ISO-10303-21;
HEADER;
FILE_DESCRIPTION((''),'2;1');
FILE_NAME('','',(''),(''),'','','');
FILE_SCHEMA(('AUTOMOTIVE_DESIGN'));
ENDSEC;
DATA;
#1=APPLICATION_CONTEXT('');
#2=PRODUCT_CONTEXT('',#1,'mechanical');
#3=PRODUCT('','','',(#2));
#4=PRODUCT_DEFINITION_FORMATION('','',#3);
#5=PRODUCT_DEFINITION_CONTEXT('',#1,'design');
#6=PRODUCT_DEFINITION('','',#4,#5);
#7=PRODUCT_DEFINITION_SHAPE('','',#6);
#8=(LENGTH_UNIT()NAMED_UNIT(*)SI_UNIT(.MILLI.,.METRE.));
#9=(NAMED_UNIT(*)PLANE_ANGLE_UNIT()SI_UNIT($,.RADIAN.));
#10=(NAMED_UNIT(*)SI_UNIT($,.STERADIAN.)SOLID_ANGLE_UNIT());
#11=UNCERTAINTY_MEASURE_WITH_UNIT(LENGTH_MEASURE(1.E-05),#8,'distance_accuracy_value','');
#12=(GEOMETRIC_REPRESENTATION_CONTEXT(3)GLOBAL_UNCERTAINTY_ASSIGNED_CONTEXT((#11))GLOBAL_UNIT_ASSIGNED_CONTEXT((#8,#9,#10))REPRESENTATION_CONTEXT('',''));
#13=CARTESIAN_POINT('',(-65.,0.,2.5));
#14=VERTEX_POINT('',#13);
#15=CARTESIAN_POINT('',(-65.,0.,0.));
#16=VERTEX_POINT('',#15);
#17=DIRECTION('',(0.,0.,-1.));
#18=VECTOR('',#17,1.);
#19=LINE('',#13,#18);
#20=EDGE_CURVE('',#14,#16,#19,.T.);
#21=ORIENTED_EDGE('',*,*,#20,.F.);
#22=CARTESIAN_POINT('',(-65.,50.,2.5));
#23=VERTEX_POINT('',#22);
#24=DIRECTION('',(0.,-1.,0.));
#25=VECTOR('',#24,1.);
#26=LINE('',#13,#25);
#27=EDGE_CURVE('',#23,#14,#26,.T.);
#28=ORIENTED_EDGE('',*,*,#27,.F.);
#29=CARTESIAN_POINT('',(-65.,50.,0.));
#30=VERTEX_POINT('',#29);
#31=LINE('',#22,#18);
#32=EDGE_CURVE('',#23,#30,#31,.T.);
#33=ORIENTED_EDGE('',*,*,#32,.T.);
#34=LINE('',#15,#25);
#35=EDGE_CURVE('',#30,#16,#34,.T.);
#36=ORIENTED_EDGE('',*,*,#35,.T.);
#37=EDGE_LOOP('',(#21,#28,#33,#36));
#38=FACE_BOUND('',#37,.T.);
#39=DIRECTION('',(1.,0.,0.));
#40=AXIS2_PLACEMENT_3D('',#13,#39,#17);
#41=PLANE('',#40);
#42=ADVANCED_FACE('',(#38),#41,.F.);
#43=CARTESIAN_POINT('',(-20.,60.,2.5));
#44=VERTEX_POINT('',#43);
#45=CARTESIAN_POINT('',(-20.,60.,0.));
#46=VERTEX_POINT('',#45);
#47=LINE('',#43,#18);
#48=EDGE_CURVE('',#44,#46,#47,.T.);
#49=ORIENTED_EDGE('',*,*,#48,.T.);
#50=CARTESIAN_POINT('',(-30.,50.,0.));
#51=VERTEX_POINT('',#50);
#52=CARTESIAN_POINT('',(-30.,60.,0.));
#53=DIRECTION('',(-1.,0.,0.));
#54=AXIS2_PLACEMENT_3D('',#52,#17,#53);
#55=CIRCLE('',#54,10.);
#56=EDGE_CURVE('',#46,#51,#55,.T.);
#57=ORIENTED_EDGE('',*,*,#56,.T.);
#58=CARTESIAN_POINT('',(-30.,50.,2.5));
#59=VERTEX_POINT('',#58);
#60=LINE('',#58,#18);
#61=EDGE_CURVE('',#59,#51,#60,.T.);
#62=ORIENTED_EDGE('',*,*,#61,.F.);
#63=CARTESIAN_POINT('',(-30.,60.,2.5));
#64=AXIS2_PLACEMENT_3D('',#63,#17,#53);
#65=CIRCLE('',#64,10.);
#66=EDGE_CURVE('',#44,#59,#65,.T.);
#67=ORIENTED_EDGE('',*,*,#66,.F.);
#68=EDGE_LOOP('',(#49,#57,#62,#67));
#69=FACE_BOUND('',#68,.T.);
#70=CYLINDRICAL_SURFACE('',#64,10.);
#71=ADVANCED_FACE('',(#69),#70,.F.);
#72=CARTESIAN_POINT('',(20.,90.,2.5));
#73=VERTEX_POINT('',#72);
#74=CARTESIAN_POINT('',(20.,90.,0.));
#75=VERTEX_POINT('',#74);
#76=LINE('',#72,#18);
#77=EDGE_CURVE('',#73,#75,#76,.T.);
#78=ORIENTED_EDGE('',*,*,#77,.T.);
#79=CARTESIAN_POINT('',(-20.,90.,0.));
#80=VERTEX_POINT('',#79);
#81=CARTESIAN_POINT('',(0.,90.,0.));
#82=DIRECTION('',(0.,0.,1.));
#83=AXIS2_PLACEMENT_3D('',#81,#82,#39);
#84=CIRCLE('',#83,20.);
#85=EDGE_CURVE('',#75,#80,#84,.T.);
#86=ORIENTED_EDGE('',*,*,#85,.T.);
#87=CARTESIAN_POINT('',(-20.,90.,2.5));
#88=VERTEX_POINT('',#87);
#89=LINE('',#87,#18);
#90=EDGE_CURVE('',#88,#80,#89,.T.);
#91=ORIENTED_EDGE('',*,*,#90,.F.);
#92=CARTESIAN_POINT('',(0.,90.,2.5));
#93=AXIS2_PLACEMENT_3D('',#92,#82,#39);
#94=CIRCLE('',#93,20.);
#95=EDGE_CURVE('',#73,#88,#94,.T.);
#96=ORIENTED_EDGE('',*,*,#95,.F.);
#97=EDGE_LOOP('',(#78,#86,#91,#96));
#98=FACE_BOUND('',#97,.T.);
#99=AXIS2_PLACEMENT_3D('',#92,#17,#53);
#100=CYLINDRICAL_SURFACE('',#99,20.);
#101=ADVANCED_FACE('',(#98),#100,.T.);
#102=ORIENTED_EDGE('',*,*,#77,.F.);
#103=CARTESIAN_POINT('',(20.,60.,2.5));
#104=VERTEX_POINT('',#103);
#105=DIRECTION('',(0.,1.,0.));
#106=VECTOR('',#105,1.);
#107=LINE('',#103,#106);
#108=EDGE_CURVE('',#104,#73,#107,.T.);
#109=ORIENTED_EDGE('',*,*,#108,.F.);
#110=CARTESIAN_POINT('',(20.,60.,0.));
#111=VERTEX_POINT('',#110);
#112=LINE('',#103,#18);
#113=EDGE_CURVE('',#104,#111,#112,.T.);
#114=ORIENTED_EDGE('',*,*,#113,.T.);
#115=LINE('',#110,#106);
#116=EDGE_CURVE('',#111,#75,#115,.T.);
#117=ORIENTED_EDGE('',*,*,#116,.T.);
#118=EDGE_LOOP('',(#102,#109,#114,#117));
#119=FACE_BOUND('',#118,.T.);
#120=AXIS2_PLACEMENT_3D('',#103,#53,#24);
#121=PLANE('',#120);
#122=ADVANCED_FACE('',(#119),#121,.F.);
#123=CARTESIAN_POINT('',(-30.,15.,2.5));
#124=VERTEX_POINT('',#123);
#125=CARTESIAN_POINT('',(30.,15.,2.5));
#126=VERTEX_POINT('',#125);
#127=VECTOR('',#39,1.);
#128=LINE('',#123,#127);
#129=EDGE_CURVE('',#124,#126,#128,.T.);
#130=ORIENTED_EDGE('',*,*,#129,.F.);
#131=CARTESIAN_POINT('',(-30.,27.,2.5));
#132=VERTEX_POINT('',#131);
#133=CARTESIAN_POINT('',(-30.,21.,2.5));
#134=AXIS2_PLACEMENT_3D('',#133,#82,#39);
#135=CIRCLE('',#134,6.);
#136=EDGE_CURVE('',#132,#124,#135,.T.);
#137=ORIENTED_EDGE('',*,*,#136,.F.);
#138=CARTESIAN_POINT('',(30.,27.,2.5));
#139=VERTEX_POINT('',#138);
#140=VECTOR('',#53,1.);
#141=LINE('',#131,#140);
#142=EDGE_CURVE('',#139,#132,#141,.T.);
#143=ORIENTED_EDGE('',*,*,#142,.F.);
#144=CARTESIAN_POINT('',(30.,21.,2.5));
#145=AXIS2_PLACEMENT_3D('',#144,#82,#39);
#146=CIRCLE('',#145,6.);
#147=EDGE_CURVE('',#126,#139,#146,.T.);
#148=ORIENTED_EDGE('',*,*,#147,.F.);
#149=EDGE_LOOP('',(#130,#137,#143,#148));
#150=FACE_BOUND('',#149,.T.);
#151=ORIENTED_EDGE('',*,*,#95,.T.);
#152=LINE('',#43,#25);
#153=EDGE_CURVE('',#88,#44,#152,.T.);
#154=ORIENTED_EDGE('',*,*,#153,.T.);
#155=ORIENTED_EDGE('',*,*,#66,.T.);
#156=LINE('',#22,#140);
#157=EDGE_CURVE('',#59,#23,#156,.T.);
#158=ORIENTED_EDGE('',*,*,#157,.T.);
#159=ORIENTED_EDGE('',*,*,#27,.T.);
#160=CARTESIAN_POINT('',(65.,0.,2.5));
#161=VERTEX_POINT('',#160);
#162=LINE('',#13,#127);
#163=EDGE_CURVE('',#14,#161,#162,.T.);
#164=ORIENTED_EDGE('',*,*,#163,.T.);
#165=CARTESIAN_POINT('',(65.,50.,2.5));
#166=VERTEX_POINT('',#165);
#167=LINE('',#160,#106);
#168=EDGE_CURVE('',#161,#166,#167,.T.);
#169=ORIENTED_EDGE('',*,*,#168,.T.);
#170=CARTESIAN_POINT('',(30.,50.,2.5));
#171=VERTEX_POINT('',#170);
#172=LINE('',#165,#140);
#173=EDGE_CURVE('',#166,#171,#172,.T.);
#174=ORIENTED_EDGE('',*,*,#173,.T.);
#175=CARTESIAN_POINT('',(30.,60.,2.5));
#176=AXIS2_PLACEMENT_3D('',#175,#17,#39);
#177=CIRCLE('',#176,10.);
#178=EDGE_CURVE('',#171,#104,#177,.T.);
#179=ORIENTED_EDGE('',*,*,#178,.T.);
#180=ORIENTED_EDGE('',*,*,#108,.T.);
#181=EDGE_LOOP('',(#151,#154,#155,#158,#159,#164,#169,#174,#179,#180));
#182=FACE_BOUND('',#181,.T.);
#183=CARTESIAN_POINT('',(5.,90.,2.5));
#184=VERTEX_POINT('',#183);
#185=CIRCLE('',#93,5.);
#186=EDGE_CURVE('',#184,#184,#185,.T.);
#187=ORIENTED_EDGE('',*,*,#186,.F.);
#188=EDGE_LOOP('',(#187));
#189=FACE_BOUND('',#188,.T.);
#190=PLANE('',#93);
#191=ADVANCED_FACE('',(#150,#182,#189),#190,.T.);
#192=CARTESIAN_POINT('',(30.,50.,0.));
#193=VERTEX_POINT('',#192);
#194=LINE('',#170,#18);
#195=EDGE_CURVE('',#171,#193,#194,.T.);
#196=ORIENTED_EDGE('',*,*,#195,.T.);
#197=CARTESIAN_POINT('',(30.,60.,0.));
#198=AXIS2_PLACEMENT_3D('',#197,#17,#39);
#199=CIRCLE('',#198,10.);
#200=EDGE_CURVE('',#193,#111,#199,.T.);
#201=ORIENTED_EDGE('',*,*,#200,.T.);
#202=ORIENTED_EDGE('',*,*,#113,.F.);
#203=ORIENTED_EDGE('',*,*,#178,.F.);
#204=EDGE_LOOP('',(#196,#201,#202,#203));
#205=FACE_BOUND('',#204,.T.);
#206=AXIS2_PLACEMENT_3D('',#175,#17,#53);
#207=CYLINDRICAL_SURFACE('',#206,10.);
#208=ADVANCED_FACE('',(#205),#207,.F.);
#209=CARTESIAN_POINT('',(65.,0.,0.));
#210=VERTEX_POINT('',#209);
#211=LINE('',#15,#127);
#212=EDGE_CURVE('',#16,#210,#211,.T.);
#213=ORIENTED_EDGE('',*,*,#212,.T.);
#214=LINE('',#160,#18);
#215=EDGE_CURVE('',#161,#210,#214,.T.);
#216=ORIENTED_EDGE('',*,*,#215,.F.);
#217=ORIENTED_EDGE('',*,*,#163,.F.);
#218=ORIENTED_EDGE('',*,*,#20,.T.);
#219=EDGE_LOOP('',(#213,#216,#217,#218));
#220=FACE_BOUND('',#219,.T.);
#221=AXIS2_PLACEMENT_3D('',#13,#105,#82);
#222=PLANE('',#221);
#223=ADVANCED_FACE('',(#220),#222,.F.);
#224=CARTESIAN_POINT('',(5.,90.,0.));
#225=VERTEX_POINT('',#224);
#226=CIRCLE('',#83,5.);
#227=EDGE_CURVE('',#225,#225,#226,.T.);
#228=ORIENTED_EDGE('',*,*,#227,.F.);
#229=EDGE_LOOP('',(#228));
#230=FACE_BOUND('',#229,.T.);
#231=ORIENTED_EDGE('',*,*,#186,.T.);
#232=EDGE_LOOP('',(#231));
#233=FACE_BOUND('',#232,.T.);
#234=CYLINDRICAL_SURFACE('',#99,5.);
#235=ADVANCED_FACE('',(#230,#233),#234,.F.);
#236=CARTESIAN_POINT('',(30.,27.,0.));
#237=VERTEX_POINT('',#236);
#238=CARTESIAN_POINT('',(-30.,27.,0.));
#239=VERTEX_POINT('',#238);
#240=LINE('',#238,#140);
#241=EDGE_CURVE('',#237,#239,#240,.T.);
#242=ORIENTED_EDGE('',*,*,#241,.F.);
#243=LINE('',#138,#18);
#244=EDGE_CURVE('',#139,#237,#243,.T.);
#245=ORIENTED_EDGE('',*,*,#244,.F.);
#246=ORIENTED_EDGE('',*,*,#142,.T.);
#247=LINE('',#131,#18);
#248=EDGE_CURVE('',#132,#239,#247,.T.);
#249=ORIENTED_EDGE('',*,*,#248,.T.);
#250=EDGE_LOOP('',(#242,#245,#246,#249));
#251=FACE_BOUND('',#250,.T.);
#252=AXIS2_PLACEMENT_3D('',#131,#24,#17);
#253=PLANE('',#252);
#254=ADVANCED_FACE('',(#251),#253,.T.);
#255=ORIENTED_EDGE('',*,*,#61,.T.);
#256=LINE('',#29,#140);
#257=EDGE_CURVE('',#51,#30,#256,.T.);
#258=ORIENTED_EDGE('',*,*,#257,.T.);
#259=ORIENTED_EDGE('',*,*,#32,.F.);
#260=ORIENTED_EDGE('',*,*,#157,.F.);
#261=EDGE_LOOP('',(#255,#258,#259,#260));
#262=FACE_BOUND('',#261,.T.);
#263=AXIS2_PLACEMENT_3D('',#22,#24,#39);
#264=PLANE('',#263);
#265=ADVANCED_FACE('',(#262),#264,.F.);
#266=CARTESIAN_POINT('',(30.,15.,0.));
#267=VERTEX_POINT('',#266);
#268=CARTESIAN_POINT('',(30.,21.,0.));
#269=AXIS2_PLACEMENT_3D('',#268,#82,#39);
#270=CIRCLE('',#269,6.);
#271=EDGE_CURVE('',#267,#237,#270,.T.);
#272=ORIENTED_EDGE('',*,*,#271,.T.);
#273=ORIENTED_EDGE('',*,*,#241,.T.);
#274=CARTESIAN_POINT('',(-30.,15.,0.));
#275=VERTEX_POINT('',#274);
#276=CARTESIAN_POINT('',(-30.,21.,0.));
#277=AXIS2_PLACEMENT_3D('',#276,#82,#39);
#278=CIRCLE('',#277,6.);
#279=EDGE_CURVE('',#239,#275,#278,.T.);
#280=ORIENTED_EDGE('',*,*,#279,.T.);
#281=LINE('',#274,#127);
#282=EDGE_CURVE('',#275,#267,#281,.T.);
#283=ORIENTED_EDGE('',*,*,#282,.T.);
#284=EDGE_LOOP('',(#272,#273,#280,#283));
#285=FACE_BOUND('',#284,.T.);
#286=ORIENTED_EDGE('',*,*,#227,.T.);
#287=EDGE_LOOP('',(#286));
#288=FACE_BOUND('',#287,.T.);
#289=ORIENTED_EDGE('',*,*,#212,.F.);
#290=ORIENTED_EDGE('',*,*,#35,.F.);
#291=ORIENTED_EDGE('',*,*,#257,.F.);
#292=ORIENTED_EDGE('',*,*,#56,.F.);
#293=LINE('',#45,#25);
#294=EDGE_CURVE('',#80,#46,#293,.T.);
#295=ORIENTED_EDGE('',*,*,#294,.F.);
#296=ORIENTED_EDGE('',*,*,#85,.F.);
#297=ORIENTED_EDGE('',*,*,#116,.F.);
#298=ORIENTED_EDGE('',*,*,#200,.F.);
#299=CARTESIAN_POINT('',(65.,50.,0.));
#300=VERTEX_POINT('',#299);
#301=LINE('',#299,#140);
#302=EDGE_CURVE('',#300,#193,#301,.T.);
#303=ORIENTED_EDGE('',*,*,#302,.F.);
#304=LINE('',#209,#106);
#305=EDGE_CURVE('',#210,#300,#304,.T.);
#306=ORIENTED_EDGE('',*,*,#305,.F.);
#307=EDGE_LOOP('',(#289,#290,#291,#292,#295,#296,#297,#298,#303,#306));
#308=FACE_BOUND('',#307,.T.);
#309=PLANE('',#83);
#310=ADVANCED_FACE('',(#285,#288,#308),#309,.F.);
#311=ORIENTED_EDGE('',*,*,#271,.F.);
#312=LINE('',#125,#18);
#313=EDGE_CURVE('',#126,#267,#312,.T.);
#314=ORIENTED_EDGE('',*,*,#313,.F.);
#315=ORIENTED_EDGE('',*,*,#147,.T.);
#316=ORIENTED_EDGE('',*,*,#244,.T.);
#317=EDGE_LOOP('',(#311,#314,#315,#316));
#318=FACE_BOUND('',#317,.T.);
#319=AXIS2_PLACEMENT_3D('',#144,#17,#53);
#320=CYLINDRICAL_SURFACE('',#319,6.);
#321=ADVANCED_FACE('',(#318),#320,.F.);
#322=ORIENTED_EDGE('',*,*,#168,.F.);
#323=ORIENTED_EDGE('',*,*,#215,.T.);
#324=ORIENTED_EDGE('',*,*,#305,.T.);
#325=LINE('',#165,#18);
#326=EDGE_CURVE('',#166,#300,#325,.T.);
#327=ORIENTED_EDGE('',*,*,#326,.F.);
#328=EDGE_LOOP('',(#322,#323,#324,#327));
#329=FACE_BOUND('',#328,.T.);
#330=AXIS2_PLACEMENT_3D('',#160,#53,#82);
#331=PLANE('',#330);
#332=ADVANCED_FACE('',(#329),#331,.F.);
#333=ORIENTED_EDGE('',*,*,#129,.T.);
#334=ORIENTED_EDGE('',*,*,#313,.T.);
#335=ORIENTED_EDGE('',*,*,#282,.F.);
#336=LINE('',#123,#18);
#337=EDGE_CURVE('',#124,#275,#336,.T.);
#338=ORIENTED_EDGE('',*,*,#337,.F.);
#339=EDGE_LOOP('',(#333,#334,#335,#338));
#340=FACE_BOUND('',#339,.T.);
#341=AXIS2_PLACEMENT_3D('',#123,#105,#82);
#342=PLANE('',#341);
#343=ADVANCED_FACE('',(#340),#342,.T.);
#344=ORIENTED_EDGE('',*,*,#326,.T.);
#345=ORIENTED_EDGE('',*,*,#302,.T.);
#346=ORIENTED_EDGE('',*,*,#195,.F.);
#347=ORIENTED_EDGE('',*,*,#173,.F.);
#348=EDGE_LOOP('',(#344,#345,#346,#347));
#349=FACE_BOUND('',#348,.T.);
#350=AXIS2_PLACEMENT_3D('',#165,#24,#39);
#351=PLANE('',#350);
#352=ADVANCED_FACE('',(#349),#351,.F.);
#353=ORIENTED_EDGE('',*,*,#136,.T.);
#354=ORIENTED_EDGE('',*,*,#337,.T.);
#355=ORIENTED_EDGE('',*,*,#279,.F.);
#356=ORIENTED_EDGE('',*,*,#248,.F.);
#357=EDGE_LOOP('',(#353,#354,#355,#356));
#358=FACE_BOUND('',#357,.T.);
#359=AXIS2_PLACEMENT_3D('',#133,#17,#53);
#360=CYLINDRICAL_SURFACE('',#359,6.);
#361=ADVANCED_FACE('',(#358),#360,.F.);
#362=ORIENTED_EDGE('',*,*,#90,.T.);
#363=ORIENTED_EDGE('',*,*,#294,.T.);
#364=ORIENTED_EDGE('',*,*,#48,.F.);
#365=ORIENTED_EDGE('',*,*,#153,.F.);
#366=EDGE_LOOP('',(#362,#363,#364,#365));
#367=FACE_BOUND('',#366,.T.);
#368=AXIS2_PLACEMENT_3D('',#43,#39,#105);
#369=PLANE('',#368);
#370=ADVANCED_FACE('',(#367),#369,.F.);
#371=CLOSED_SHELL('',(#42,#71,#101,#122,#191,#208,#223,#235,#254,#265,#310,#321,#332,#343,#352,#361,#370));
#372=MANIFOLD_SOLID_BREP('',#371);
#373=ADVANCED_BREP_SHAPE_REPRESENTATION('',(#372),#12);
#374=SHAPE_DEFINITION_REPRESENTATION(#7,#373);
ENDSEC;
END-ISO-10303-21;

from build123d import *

# Parameters (mm, degrees)
SKIZZE1_R                       = 5
AUFSATZ_LINEAR_AUSTRAGEN1_DEPTH = 2.5


with BuildPart() as part:
    # Skizze1 → Aufsatz-Linear austragen1 (new body)
    with BuildSketch(Plane.XY):
        with BuildLine():
            Line((-65, 0), (65, 0))
            Line((65, 0), (65, 50))
            Line((65, 50), (30, 50))
            ThreePointArc((30, 50), (22.928932188, 52.928932188), (20, 60))
            Line((20, 60), (20, 90))
            ThreePointArc((20, 90), (0, 110), (-20, 90))
            Line((-20, 90), (-20, 60))
            ThreePointArc((-20, 60), (-22.928932188, 52.928932188), (-30, 50))
            Line((-30, 50), (-65, 50))
            Line((-65, 50), (-65, 0))
        make_face()
        with Locations((0, 90)):
            Circle(SKIZZE1_R, mode=Mode.SUBTRACT)
        with BuildLine():
            Line((-30, 27), (30, 27))
            ThreePointArc((30, 27), (36, 21), (30, 15))
            Line((30, 15), (-30, 15))
            ThreePointArc((-30, 15), (-36, 21), (-30, 27))
        make_face(mode=Mode.SUBTRACT)
    extrude(amount=AUFSATZ_LINEAR_AUSTRAGEN1_DEPTH)


solid = part.part
